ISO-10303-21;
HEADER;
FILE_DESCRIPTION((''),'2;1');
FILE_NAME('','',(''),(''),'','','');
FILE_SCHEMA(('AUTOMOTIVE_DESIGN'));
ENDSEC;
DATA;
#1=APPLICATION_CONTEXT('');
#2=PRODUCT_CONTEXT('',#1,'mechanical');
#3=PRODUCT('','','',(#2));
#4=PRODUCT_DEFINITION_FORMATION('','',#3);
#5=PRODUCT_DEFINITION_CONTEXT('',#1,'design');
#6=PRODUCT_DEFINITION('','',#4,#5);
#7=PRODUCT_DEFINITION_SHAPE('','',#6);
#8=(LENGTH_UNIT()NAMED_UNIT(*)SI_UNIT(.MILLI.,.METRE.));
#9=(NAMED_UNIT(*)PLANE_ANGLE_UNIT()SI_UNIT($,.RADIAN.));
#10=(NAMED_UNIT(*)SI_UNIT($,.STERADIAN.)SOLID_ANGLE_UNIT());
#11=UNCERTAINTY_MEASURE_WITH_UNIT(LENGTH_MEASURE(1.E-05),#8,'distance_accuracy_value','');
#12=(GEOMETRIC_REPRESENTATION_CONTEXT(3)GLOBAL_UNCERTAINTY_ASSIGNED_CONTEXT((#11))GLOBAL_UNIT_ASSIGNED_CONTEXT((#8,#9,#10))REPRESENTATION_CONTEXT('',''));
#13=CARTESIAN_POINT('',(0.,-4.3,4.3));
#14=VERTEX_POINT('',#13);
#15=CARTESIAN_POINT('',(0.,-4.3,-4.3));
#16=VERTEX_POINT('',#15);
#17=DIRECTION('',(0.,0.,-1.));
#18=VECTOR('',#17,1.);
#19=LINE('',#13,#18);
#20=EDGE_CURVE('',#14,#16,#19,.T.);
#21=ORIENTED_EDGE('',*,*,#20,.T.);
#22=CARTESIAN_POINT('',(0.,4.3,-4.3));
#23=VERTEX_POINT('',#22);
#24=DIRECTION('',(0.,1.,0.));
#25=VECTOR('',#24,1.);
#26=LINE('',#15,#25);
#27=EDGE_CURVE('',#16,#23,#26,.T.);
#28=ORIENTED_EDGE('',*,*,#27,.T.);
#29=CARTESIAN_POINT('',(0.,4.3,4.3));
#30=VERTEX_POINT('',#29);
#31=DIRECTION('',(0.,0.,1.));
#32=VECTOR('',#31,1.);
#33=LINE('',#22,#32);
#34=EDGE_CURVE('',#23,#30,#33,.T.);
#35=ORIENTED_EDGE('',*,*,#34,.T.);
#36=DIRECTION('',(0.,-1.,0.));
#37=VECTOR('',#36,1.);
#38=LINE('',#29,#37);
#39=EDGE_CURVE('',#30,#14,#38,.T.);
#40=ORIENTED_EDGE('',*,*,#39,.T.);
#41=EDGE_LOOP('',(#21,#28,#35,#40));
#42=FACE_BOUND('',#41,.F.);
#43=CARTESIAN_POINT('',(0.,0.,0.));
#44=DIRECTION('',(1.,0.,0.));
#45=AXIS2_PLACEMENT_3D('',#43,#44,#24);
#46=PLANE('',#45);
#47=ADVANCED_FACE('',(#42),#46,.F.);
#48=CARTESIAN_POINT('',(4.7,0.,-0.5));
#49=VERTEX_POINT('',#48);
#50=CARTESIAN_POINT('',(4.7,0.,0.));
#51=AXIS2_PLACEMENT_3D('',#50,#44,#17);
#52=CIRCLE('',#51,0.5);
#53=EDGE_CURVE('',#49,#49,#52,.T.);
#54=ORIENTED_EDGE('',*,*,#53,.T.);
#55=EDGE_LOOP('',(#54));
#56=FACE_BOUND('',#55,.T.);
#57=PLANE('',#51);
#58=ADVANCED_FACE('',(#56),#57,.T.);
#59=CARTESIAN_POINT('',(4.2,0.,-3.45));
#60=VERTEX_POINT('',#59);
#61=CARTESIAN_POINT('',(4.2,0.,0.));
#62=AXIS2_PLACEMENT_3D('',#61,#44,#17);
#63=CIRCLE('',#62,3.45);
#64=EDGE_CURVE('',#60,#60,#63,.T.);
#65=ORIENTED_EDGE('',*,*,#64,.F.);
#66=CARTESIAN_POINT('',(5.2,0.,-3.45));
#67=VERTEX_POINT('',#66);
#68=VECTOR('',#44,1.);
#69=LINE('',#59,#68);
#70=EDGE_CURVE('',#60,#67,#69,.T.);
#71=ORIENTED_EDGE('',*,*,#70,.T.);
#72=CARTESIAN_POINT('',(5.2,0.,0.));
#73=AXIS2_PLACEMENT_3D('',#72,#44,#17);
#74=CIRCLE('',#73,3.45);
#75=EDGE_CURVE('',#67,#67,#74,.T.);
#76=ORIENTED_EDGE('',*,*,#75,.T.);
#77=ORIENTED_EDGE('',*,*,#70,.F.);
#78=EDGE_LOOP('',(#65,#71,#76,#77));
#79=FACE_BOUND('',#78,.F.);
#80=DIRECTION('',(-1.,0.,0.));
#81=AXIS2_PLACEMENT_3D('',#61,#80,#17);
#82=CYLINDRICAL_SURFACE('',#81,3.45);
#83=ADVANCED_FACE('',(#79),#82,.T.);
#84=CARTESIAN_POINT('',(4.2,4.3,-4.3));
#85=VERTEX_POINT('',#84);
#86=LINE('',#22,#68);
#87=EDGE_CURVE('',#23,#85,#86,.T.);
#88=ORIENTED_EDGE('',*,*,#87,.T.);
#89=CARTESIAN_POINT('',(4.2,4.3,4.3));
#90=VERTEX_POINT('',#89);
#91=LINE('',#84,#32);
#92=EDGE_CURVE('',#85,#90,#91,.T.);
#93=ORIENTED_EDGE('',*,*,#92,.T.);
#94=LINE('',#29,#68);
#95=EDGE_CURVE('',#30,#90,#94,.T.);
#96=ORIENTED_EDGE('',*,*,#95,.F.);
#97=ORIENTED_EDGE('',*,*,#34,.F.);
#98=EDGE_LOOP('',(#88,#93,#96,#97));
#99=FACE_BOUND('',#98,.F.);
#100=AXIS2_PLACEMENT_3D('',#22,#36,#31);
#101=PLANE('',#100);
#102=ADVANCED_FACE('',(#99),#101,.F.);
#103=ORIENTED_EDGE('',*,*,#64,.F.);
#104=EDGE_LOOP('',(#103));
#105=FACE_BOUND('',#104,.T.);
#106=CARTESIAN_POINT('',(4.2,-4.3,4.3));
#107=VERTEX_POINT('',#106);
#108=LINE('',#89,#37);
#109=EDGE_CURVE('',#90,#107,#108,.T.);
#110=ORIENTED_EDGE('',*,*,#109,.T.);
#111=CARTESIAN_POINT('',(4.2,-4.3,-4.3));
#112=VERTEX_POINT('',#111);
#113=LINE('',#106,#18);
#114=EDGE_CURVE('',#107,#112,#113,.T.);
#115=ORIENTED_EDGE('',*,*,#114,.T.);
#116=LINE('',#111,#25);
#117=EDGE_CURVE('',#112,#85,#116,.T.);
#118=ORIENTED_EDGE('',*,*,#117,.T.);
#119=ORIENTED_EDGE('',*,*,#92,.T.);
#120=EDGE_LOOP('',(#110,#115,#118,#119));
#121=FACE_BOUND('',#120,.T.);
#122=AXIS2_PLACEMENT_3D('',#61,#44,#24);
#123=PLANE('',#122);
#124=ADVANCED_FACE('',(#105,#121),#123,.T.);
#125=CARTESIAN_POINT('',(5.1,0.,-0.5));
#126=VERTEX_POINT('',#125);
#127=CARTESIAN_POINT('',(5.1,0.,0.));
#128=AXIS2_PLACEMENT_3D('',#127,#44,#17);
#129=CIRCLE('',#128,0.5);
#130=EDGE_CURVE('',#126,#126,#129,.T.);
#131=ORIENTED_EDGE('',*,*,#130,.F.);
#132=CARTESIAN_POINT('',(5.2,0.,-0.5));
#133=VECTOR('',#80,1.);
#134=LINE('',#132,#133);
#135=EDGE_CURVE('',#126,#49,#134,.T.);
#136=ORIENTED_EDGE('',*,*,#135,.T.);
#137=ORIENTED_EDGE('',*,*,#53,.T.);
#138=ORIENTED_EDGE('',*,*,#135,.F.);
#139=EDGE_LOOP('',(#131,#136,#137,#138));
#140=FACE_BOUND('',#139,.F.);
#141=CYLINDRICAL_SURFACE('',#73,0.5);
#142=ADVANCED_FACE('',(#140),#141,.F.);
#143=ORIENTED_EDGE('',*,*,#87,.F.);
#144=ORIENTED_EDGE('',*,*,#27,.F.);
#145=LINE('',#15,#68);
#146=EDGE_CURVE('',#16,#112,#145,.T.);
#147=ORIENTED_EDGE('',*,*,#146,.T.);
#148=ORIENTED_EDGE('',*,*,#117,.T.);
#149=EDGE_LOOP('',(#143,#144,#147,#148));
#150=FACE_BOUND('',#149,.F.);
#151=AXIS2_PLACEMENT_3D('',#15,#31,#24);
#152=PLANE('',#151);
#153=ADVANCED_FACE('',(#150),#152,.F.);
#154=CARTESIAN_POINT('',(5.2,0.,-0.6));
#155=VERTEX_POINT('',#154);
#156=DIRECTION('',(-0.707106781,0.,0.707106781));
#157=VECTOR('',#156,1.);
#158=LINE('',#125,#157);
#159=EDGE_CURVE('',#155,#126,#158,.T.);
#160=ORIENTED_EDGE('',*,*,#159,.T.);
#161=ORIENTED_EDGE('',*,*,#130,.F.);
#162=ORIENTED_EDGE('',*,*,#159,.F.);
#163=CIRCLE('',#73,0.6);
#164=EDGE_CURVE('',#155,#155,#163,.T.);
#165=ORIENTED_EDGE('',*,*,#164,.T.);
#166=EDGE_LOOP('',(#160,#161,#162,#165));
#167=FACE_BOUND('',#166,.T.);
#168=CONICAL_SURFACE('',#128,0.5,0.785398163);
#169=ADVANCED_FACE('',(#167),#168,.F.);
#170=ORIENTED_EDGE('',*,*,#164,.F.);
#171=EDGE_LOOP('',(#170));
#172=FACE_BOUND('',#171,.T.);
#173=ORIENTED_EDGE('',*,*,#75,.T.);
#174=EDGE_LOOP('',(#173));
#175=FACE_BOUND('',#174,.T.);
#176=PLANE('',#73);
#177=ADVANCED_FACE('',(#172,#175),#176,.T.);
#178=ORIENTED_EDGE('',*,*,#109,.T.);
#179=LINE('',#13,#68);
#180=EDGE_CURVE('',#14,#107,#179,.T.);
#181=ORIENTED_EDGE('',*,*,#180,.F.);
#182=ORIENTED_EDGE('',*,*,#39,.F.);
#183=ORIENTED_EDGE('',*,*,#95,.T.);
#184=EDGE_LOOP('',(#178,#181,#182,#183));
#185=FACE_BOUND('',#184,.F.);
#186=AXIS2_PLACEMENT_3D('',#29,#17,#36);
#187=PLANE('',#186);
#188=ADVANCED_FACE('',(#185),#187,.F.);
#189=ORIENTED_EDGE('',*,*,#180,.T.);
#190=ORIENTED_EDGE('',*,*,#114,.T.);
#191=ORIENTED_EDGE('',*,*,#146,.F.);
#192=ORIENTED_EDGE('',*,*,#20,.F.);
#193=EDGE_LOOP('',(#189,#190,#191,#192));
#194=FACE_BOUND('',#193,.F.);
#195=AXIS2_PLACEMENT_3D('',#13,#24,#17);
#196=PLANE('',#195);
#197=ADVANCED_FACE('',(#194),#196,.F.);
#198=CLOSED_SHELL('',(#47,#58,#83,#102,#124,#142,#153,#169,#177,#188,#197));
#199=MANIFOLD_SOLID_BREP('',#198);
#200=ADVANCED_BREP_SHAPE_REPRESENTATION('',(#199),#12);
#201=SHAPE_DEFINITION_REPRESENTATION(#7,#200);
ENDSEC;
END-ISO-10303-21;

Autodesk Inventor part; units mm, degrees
ref_plane "YZ Plane" through (0, 0, 0) normal (1, 0, 0) x (0, 1, 0)
ref_plane "XZ Plane" through (0, 0, 0) normal (0, 1, 0) x (-1, 0, 0)
ref_plane "XY Plane" through (0, 0, 0) normal (0, 0, 1) x (1, 0, 0)
sketch "스케치1" plane through (0, 0, 0) normal (1, 0, 0) x (0, 1, 0)
  line L0 (4.3, 4.3) -> (-4.3, 4.3)
  line L1 (-4.3, 4.3) -> (-4.3, -4.3)
  line L2 (-4.3, -4.3) -> (4.3, -4.3)
  line L3 (4.3, -4.3) -> (4.3, 4.3)
  line L4 (4.3, 4.3) -> (-4.3, -4.3) construction
  line L5 (-4.3, 4.3) -> (4.3, -4.3) construction
  point P0 (0, 0)
  dimension "d0" = 8.6
  dimension "d1" = 8.6
extrude "돌출1" add sketch "스케치1" along normal blind 4.2
sketch "스케치2" plane through (4.2, 0, 0) normal (1, 0, 0) x (0, 0, -1)
  circle A0 centre (0, 0) radius 3.45
  dimension "d4" = 6.9
extrude "돌출2" add sketch "스케치2" along normal blind 1
sketch "스케치3" plane through (5.2, 0, 0) normal (1, 0, 0) x (0, 0, -1)
  circle A0 centre (0, 0) radius 0.5
  dimension "d7" = 1
extrude "돌출3" cut sketch "스케치3" against normal blind 0.5
chamfer "모따기1" distance 0.1 angle 45 1 edges at (5.2, 0, 0.5)
properties part number "카메라"
